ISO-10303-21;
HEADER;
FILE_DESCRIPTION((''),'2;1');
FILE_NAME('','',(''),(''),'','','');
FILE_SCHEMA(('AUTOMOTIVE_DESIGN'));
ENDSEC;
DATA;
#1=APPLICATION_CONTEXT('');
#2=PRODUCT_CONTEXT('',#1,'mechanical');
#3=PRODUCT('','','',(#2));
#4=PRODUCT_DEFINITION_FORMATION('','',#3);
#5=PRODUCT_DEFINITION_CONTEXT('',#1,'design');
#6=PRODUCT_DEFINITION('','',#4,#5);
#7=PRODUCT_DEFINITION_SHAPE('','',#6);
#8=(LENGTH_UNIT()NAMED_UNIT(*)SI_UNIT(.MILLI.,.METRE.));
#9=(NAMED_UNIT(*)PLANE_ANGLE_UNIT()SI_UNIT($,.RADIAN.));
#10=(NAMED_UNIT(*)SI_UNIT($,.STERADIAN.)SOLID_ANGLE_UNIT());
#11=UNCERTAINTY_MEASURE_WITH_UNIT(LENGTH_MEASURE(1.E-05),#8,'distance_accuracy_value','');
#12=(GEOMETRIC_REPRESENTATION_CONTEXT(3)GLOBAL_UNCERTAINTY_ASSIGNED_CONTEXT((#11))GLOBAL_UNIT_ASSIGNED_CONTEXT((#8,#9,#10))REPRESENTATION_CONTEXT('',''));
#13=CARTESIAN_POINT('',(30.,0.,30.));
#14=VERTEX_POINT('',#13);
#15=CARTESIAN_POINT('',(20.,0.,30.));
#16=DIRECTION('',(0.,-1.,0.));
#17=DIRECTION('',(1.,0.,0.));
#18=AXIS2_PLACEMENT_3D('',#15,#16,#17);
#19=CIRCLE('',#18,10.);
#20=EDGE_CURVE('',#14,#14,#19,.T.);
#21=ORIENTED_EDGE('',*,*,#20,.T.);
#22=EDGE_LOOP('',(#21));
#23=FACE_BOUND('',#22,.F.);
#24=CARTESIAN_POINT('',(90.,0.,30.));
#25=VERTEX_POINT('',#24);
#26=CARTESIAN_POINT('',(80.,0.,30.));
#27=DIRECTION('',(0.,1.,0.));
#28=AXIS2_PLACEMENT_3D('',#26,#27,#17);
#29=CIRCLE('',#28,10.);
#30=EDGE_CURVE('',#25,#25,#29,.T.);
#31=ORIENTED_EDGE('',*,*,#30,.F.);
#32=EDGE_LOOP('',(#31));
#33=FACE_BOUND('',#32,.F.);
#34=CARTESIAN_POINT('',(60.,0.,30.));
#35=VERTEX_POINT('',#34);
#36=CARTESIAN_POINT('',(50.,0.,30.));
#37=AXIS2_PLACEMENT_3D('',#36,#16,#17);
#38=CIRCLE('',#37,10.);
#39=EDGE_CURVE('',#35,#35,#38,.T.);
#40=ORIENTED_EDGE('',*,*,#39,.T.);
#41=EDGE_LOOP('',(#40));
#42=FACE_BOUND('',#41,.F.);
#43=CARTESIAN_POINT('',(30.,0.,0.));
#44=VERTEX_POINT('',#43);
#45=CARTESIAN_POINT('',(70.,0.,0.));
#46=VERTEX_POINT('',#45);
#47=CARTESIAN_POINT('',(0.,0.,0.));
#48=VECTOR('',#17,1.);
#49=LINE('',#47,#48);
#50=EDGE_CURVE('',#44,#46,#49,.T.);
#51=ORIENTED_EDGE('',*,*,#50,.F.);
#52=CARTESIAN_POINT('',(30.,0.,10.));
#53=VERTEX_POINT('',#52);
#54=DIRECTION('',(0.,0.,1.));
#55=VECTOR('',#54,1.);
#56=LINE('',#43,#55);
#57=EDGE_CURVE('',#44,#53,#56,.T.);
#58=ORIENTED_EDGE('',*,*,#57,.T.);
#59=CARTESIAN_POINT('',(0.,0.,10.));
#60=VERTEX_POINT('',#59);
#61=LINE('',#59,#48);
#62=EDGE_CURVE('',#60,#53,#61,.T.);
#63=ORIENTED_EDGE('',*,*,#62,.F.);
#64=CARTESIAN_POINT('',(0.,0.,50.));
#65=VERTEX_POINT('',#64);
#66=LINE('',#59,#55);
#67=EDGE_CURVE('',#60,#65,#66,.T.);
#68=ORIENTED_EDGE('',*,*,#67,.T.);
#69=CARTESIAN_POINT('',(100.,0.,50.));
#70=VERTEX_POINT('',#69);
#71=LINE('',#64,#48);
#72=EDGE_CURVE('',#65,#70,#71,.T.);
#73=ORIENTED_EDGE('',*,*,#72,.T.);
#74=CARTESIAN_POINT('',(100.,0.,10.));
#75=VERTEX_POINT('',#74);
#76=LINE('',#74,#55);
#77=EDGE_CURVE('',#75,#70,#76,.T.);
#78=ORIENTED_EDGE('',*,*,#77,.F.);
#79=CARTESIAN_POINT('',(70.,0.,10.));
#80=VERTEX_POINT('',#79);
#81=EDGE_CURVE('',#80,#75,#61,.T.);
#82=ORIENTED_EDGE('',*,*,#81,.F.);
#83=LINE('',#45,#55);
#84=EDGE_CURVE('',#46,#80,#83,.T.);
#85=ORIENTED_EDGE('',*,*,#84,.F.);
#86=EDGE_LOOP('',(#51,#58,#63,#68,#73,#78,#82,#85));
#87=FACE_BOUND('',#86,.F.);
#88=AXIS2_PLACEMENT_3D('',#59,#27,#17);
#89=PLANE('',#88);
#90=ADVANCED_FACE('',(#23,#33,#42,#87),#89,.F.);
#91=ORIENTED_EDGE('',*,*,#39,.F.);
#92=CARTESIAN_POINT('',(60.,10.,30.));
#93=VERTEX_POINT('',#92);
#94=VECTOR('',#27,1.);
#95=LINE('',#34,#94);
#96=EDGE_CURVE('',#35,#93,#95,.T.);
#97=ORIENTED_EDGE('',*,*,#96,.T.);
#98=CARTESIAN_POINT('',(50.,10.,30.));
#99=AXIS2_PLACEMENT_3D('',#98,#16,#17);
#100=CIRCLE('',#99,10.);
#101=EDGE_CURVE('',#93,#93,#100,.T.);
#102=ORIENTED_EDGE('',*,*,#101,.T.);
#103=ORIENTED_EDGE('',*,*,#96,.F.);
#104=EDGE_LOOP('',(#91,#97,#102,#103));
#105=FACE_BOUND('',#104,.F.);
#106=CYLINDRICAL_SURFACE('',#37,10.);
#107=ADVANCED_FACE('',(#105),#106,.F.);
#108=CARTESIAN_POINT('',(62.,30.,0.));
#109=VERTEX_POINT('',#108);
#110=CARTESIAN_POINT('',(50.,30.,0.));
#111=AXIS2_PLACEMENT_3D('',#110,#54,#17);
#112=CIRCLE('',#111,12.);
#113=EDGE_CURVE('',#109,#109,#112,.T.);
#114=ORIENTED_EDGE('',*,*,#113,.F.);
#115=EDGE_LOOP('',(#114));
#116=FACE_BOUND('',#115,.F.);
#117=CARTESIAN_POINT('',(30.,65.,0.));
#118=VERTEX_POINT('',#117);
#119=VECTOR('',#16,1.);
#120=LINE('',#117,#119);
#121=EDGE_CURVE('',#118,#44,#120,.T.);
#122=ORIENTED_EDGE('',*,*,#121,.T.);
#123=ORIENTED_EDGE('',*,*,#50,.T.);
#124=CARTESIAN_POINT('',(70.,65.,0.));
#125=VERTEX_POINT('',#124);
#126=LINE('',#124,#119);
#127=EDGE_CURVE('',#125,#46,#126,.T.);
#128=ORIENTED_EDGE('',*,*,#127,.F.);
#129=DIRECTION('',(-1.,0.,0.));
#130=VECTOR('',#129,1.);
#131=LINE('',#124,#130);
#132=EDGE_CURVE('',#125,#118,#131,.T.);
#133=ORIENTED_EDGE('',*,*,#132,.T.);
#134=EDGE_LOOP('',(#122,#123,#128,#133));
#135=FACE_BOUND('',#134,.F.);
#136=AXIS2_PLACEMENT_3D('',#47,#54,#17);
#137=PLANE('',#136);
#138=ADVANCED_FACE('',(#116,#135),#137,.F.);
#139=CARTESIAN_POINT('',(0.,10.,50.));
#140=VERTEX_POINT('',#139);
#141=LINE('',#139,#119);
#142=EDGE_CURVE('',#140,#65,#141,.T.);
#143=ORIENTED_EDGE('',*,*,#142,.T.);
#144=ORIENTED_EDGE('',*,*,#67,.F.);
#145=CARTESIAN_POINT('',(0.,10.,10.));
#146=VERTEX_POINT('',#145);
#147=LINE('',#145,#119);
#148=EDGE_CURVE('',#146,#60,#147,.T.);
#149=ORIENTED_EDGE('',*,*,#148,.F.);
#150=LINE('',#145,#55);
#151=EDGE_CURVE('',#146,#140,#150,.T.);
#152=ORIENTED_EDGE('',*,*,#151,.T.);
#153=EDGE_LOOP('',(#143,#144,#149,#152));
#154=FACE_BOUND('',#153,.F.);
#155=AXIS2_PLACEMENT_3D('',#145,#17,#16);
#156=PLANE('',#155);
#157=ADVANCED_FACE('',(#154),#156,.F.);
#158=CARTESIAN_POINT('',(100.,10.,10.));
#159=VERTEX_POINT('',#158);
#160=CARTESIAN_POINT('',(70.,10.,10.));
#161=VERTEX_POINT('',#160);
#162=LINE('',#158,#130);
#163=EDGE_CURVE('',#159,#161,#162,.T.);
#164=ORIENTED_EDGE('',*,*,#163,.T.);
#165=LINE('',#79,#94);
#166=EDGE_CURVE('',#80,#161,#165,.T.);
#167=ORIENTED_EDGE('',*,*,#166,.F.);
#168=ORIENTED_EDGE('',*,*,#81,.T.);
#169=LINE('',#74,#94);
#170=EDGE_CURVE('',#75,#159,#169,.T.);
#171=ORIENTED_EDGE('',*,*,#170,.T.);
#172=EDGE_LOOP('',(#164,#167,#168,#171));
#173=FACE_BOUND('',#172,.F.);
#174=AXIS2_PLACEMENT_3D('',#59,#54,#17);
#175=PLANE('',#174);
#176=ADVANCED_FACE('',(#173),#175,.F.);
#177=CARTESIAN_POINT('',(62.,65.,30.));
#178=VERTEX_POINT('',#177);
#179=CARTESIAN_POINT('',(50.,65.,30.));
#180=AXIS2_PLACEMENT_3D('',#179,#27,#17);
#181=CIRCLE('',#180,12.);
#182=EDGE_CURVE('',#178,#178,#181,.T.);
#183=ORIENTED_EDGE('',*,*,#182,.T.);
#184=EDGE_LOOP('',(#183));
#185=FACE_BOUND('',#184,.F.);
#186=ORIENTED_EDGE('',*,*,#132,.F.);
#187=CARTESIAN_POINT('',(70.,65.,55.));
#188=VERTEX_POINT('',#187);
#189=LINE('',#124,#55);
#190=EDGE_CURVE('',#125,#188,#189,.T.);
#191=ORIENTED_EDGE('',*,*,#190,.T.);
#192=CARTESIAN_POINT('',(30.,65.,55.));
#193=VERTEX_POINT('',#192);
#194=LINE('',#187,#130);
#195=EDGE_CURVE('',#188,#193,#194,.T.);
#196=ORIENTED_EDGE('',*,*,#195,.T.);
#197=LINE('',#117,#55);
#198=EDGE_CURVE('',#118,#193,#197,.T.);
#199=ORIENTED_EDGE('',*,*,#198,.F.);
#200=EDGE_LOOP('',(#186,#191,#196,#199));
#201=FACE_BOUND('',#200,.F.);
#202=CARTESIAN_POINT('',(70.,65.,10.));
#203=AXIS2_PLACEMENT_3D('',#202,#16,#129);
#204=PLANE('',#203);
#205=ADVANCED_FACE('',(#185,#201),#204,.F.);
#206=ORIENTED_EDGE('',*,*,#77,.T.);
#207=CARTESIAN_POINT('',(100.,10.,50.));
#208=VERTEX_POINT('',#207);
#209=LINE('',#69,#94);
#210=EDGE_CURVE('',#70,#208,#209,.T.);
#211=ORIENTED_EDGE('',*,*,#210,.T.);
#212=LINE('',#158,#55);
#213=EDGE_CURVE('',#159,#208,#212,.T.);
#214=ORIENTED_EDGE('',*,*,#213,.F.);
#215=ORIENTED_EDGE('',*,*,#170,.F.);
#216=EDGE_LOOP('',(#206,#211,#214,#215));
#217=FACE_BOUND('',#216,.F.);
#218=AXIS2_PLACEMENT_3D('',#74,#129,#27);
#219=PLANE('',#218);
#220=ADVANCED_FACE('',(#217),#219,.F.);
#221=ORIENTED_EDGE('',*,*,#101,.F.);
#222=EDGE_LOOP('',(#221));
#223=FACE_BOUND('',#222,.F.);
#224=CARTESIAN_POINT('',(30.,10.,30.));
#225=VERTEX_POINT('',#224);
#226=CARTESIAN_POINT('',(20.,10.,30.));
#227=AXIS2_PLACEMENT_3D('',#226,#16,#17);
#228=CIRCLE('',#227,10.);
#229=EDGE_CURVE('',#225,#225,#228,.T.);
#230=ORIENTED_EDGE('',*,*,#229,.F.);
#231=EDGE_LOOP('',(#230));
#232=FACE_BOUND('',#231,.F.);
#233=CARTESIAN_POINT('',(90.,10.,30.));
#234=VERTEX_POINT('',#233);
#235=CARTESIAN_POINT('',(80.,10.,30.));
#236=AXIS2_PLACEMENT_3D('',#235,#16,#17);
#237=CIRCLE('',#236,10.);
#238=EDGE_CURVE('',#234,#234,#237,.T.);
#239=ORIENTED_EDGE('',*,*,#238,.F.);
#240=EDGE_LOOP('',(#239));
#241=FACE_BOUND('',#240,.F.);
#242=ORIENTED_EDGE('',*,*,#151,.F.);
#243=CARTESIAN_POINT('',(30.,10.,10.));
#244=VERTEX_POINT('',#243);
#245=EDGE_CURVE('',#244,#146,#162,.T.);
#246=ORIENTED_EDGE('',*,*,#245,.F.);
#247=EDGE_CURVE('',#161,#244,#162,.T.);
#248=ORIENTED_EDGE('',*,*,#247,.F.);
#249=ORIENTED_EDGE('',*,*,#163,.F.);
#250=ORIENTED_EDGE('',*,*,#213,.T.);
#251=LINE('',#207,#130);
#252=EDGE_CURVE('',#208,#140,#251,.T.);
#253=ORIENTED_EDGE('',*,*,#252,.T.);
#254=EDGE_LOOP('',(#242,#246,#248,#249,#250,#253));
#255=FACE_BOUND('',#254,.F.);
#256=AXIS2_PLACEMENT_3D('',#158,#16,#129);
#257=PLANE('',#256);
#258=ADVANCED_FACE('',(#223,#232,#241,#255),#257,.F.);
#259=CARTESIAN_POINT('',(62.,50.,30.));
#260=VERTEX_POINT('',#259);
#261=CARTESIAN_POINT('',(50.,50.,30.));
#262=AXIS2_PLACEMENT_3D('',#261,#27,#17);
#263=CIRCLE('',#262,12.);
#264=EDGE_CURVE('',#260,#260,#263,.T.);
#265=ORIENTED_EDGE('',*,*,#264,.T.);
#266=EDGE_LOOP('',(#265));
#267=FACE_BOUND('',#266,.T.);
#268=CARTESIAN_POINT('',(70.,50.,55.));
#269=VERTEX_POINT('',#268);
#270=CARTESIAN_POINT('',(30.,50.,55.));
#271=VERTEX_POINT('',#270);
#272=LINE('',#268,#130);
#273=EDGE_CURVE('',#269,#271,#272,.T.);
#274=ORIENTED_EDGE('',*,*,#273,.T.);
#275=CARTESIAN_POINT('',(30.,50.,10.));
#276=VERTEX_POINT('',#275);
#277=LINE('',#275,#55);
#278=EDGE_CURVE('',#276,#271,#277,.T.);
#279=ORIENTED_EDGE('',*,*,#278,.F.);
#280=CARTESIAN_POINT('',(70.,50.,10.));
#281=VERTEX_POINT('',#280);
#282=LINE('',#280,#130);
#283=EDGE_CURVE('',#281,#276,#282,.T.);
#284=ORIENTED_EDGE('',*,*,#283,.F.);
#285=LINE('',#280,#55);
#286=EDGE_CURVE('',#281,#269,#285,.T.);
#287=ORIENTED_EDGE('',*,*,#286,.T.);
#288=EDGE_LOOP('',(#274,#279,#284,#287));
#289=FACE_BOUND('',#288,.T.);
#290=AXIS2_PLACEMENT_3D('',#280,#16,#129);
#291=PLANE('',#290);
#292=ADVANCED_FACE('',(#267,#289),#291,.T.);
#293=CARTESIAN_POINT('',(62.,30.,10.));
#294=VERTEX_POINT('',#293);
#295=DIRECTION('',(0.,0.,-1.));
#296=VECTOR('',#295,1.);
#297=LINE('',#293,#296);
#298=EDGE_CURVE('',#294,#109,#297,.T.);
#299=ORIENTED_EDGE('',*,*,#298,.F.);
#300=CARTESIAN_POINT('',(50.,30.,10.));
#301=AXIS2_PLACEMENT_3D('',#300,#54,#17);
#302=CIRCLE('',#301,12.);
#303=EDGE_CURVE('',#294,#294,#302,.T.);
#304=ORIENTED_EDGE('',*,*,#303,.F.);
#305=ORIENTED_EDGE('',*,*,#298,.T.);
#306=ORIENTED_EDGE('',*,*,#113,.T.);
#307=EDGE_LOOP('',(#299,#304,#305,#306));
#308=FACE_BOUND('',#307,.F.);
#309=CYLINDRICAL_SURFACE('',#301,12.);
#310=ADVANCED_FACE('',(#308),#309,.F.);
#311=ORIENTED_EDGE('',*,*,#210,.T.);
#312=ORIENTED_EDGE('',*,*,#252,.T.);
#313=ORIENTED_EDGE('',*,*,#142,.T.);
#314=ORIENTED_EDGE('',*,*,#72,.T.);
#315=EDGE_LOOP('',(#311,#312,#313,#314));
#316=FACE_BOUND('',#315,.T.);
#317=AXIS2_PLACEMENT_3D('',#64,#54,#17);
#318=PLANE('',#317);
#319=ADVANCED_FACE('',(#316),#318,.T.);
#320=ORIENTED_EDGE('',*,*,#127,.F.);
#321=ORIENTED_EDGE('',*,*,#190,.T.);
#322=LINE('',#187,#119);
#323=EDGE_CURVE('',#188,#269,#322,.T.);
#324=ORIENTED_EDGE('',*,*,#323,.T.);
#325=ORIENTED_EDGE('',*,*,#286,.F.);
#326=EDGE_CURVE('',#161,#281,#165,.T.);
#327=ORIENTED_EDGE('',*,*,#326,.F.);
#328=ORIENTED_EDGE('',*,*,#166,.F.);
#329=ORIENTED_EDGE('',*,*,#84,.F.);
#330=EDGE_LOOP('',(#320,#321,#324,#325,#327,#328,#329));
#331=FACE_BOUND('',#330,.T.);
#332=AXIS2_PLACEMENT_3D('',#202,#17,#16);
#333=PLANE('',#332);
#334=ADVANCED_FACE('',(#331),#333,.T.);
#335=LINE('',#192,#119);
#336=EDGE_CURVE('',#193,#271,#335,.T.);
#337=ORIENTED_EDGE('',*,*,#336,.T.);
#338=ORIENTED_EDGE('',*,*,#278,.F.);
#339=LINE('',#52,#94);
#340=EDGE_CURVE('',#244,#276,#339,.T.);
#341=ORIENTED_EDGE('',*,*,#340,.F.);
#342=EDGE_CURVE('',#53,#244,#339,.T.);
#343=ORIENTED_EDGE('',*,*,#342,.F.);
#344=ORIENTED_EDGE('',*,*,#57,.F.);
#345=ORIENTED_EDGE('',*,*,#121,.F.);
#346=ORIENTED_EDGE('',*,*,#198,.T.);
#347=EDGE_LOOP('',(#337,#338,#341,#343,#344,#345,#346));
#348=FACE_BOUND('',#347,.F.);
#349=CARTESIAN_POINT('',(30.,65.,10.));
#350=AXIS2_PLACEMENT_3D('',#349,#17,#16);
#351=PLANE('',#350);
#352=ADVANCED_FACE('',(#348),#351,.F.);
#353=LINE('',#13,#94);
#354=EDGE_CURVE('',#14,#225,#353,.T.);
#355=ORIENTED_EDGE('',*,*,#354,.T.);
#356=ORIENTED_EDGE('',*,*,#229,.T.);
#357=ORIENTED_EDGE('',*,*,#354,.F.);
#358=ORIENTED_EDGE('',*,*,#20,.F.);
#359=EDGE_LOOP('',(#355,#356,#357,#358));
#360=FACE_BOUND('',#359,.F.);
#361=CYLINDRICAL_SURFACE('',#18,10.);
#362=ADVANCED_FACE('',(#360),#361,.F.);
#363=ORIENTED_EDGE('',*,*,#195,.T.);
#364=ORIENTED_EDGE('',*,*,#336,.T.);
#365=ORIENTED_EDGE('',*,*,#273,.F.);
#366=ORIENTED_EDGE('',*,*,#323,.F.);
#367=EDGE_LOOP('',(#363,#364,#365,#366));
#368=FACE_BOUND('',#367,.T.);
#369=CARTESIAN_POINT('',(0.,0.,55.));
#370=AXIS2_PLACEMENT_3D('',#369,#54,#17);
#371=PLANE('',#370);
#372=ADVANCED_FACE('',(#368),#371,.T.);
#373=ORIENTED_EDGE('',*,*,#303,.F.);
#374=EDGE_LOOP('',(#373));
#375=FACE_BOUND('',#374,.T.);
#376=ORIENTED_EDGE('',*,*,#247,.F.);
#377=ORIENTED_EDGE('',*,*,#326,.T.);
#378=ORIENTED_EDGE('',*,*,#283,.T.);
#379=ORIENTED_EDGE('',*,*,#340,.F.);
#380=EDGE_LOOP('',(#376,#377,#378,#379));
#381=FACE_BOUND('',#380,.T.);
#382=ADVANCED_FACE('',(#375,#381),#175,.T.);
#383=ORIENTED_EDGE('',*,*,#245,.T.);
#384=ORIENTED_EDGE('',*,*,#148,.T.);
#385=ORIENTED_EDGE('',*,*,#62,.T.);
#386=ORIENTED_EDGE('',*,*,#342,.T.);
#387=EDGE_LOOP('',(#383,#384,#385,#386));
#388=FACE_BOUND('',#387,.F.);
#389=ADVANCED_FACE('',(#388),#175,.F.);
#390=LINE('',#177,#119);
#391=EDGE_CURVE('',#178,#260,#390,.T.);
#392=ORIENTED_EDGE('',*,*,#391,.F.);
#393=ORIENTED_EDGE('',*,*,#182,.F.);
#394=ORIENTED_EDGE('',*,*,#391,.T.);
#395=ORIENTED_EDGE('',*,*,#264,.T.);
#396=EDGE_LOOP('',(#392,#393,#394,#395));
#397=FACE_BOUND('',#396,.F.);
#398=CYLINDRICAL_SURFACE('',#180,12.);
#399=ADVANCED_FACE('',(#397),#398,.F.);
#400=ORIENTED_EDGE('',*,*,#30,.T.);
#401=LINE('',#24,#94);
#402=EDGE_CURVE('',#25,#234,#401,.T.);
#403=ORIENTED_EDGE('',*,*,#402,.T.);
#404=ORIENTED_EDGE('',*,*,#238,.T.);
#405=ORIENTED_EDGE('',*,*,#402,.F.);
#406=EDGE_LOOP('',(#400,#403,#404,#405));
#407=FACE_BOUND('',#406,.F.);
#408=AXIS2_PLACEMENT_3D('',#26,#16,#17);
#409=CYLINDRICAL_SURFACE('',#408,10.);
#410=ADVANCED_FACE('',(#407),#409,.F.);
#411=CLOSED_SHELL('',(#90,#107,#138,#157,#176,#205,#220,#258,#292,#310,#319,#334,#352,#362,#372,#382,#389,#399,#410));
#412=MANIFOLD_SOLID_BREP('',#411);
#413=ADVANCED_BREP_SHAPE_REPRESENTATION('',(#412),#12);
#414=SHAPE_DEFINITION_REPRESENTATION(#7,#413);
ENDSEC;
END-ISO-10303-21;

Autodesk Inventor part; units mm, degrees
ref_plane "YZ Plane" through (0, 0, 0) normal (1, 0, 0) x (0, 1, 0)
ref_plane "XZ Plane" through (0, 0, 0) normal (0, 1, 0) x (-1, 0, 0)
ref_plane "XY Plane" through (0, 0, 0) normal (0, 0, 1) x (1, 0, 0)
sketch "Sketch1" plane through (0, 0, 0) normal (0, 0, 1) x (1, 0, 0)
  line L0 (0, 0) -> (100, 0)
  line L1 (100, 0) -> (100, 10)
  line L2 (70, 65) -> (30, 65)
  line L3 (0, 10) -> (0, 0)
  line L4 (0, 10) -> (100, 10)
  line L5 (30, 65) -> (30, 0)
  line L6 (70, 65) -> (70, 0)
  dimension "d0" = 100
  dimension "d1" = 10
extrude "Extrusion1" add sketch "Sketch1" along normal blind 10 contours L5 L4 L6 L0 | L5 L2 L6 L4
sketch "Sketch2" plane through (0, 0, 10) normal (0, 0, 1) x (1, 0, 0)
  line L0 (0, 0) -> (100, 0)
  line L1 (100, 0) -> (100, 10)
  line L2 (100, 10) -> (0, 10)
  line L3 (0, 10) -> (0, 0)
extrude "Extrusion2" add sketch "Sketch2" along normal blind 40
sketch "Sketch3" plane through (0, 0, 10) normal (0, 0, 1) x (1, 0, 0)
  line L0 (70, 65) -> (30, 65) projected
  line L1 (30, 65) -> (70, 65)
  line L2 (70, 65) -> (70, 50)
  line L3 (70, 0) -> (70, 65) projected
  line L4 (70, 50) -> (30, 50)
  line L5 (30, 65) -> (30, 0) projected
  line L6 (30, 50) -> (30, 65)
  point P0 (0, 0)
extrude "Extrusion3" add sketch "Sketch3" along normal blind 45
sketch "Sketch4" plane through (30, 65, 0) normal (0, 1, 0) x (1, 0, 0)
  circle A0 centre (20, -30) radius 12
  point P0 (-30, 0)
extrude "Extrusion4" cut sketch "Sketch4" against normal blind 15
sketch "Sketch5" plane through (0, 0, 10) normal (0, 0, 1) x (1, 0, 0)
  circle A0 centre (50, 30) radius 12
  point P0 (0, 0)
extrude "Extrusion5" cut sketch "Sketch5" against normal blind 10
sketch "Sketch6" plane through (30, 0, 0) normal (0, -1, 0) x (1, 0, 0)
  circle A0 centre (-10, 30) radius 10
  circle A1 centre (20, 30) radius 10
  circle A2 centre (50, 30) radius 10
  line L0 (40, 10) -> (40, 55) projected
  point P0 (-30, 0)
extrude "Extrusion6" cut sketch "Sketch6" against normal blind 10
properties part number "P3-9"
